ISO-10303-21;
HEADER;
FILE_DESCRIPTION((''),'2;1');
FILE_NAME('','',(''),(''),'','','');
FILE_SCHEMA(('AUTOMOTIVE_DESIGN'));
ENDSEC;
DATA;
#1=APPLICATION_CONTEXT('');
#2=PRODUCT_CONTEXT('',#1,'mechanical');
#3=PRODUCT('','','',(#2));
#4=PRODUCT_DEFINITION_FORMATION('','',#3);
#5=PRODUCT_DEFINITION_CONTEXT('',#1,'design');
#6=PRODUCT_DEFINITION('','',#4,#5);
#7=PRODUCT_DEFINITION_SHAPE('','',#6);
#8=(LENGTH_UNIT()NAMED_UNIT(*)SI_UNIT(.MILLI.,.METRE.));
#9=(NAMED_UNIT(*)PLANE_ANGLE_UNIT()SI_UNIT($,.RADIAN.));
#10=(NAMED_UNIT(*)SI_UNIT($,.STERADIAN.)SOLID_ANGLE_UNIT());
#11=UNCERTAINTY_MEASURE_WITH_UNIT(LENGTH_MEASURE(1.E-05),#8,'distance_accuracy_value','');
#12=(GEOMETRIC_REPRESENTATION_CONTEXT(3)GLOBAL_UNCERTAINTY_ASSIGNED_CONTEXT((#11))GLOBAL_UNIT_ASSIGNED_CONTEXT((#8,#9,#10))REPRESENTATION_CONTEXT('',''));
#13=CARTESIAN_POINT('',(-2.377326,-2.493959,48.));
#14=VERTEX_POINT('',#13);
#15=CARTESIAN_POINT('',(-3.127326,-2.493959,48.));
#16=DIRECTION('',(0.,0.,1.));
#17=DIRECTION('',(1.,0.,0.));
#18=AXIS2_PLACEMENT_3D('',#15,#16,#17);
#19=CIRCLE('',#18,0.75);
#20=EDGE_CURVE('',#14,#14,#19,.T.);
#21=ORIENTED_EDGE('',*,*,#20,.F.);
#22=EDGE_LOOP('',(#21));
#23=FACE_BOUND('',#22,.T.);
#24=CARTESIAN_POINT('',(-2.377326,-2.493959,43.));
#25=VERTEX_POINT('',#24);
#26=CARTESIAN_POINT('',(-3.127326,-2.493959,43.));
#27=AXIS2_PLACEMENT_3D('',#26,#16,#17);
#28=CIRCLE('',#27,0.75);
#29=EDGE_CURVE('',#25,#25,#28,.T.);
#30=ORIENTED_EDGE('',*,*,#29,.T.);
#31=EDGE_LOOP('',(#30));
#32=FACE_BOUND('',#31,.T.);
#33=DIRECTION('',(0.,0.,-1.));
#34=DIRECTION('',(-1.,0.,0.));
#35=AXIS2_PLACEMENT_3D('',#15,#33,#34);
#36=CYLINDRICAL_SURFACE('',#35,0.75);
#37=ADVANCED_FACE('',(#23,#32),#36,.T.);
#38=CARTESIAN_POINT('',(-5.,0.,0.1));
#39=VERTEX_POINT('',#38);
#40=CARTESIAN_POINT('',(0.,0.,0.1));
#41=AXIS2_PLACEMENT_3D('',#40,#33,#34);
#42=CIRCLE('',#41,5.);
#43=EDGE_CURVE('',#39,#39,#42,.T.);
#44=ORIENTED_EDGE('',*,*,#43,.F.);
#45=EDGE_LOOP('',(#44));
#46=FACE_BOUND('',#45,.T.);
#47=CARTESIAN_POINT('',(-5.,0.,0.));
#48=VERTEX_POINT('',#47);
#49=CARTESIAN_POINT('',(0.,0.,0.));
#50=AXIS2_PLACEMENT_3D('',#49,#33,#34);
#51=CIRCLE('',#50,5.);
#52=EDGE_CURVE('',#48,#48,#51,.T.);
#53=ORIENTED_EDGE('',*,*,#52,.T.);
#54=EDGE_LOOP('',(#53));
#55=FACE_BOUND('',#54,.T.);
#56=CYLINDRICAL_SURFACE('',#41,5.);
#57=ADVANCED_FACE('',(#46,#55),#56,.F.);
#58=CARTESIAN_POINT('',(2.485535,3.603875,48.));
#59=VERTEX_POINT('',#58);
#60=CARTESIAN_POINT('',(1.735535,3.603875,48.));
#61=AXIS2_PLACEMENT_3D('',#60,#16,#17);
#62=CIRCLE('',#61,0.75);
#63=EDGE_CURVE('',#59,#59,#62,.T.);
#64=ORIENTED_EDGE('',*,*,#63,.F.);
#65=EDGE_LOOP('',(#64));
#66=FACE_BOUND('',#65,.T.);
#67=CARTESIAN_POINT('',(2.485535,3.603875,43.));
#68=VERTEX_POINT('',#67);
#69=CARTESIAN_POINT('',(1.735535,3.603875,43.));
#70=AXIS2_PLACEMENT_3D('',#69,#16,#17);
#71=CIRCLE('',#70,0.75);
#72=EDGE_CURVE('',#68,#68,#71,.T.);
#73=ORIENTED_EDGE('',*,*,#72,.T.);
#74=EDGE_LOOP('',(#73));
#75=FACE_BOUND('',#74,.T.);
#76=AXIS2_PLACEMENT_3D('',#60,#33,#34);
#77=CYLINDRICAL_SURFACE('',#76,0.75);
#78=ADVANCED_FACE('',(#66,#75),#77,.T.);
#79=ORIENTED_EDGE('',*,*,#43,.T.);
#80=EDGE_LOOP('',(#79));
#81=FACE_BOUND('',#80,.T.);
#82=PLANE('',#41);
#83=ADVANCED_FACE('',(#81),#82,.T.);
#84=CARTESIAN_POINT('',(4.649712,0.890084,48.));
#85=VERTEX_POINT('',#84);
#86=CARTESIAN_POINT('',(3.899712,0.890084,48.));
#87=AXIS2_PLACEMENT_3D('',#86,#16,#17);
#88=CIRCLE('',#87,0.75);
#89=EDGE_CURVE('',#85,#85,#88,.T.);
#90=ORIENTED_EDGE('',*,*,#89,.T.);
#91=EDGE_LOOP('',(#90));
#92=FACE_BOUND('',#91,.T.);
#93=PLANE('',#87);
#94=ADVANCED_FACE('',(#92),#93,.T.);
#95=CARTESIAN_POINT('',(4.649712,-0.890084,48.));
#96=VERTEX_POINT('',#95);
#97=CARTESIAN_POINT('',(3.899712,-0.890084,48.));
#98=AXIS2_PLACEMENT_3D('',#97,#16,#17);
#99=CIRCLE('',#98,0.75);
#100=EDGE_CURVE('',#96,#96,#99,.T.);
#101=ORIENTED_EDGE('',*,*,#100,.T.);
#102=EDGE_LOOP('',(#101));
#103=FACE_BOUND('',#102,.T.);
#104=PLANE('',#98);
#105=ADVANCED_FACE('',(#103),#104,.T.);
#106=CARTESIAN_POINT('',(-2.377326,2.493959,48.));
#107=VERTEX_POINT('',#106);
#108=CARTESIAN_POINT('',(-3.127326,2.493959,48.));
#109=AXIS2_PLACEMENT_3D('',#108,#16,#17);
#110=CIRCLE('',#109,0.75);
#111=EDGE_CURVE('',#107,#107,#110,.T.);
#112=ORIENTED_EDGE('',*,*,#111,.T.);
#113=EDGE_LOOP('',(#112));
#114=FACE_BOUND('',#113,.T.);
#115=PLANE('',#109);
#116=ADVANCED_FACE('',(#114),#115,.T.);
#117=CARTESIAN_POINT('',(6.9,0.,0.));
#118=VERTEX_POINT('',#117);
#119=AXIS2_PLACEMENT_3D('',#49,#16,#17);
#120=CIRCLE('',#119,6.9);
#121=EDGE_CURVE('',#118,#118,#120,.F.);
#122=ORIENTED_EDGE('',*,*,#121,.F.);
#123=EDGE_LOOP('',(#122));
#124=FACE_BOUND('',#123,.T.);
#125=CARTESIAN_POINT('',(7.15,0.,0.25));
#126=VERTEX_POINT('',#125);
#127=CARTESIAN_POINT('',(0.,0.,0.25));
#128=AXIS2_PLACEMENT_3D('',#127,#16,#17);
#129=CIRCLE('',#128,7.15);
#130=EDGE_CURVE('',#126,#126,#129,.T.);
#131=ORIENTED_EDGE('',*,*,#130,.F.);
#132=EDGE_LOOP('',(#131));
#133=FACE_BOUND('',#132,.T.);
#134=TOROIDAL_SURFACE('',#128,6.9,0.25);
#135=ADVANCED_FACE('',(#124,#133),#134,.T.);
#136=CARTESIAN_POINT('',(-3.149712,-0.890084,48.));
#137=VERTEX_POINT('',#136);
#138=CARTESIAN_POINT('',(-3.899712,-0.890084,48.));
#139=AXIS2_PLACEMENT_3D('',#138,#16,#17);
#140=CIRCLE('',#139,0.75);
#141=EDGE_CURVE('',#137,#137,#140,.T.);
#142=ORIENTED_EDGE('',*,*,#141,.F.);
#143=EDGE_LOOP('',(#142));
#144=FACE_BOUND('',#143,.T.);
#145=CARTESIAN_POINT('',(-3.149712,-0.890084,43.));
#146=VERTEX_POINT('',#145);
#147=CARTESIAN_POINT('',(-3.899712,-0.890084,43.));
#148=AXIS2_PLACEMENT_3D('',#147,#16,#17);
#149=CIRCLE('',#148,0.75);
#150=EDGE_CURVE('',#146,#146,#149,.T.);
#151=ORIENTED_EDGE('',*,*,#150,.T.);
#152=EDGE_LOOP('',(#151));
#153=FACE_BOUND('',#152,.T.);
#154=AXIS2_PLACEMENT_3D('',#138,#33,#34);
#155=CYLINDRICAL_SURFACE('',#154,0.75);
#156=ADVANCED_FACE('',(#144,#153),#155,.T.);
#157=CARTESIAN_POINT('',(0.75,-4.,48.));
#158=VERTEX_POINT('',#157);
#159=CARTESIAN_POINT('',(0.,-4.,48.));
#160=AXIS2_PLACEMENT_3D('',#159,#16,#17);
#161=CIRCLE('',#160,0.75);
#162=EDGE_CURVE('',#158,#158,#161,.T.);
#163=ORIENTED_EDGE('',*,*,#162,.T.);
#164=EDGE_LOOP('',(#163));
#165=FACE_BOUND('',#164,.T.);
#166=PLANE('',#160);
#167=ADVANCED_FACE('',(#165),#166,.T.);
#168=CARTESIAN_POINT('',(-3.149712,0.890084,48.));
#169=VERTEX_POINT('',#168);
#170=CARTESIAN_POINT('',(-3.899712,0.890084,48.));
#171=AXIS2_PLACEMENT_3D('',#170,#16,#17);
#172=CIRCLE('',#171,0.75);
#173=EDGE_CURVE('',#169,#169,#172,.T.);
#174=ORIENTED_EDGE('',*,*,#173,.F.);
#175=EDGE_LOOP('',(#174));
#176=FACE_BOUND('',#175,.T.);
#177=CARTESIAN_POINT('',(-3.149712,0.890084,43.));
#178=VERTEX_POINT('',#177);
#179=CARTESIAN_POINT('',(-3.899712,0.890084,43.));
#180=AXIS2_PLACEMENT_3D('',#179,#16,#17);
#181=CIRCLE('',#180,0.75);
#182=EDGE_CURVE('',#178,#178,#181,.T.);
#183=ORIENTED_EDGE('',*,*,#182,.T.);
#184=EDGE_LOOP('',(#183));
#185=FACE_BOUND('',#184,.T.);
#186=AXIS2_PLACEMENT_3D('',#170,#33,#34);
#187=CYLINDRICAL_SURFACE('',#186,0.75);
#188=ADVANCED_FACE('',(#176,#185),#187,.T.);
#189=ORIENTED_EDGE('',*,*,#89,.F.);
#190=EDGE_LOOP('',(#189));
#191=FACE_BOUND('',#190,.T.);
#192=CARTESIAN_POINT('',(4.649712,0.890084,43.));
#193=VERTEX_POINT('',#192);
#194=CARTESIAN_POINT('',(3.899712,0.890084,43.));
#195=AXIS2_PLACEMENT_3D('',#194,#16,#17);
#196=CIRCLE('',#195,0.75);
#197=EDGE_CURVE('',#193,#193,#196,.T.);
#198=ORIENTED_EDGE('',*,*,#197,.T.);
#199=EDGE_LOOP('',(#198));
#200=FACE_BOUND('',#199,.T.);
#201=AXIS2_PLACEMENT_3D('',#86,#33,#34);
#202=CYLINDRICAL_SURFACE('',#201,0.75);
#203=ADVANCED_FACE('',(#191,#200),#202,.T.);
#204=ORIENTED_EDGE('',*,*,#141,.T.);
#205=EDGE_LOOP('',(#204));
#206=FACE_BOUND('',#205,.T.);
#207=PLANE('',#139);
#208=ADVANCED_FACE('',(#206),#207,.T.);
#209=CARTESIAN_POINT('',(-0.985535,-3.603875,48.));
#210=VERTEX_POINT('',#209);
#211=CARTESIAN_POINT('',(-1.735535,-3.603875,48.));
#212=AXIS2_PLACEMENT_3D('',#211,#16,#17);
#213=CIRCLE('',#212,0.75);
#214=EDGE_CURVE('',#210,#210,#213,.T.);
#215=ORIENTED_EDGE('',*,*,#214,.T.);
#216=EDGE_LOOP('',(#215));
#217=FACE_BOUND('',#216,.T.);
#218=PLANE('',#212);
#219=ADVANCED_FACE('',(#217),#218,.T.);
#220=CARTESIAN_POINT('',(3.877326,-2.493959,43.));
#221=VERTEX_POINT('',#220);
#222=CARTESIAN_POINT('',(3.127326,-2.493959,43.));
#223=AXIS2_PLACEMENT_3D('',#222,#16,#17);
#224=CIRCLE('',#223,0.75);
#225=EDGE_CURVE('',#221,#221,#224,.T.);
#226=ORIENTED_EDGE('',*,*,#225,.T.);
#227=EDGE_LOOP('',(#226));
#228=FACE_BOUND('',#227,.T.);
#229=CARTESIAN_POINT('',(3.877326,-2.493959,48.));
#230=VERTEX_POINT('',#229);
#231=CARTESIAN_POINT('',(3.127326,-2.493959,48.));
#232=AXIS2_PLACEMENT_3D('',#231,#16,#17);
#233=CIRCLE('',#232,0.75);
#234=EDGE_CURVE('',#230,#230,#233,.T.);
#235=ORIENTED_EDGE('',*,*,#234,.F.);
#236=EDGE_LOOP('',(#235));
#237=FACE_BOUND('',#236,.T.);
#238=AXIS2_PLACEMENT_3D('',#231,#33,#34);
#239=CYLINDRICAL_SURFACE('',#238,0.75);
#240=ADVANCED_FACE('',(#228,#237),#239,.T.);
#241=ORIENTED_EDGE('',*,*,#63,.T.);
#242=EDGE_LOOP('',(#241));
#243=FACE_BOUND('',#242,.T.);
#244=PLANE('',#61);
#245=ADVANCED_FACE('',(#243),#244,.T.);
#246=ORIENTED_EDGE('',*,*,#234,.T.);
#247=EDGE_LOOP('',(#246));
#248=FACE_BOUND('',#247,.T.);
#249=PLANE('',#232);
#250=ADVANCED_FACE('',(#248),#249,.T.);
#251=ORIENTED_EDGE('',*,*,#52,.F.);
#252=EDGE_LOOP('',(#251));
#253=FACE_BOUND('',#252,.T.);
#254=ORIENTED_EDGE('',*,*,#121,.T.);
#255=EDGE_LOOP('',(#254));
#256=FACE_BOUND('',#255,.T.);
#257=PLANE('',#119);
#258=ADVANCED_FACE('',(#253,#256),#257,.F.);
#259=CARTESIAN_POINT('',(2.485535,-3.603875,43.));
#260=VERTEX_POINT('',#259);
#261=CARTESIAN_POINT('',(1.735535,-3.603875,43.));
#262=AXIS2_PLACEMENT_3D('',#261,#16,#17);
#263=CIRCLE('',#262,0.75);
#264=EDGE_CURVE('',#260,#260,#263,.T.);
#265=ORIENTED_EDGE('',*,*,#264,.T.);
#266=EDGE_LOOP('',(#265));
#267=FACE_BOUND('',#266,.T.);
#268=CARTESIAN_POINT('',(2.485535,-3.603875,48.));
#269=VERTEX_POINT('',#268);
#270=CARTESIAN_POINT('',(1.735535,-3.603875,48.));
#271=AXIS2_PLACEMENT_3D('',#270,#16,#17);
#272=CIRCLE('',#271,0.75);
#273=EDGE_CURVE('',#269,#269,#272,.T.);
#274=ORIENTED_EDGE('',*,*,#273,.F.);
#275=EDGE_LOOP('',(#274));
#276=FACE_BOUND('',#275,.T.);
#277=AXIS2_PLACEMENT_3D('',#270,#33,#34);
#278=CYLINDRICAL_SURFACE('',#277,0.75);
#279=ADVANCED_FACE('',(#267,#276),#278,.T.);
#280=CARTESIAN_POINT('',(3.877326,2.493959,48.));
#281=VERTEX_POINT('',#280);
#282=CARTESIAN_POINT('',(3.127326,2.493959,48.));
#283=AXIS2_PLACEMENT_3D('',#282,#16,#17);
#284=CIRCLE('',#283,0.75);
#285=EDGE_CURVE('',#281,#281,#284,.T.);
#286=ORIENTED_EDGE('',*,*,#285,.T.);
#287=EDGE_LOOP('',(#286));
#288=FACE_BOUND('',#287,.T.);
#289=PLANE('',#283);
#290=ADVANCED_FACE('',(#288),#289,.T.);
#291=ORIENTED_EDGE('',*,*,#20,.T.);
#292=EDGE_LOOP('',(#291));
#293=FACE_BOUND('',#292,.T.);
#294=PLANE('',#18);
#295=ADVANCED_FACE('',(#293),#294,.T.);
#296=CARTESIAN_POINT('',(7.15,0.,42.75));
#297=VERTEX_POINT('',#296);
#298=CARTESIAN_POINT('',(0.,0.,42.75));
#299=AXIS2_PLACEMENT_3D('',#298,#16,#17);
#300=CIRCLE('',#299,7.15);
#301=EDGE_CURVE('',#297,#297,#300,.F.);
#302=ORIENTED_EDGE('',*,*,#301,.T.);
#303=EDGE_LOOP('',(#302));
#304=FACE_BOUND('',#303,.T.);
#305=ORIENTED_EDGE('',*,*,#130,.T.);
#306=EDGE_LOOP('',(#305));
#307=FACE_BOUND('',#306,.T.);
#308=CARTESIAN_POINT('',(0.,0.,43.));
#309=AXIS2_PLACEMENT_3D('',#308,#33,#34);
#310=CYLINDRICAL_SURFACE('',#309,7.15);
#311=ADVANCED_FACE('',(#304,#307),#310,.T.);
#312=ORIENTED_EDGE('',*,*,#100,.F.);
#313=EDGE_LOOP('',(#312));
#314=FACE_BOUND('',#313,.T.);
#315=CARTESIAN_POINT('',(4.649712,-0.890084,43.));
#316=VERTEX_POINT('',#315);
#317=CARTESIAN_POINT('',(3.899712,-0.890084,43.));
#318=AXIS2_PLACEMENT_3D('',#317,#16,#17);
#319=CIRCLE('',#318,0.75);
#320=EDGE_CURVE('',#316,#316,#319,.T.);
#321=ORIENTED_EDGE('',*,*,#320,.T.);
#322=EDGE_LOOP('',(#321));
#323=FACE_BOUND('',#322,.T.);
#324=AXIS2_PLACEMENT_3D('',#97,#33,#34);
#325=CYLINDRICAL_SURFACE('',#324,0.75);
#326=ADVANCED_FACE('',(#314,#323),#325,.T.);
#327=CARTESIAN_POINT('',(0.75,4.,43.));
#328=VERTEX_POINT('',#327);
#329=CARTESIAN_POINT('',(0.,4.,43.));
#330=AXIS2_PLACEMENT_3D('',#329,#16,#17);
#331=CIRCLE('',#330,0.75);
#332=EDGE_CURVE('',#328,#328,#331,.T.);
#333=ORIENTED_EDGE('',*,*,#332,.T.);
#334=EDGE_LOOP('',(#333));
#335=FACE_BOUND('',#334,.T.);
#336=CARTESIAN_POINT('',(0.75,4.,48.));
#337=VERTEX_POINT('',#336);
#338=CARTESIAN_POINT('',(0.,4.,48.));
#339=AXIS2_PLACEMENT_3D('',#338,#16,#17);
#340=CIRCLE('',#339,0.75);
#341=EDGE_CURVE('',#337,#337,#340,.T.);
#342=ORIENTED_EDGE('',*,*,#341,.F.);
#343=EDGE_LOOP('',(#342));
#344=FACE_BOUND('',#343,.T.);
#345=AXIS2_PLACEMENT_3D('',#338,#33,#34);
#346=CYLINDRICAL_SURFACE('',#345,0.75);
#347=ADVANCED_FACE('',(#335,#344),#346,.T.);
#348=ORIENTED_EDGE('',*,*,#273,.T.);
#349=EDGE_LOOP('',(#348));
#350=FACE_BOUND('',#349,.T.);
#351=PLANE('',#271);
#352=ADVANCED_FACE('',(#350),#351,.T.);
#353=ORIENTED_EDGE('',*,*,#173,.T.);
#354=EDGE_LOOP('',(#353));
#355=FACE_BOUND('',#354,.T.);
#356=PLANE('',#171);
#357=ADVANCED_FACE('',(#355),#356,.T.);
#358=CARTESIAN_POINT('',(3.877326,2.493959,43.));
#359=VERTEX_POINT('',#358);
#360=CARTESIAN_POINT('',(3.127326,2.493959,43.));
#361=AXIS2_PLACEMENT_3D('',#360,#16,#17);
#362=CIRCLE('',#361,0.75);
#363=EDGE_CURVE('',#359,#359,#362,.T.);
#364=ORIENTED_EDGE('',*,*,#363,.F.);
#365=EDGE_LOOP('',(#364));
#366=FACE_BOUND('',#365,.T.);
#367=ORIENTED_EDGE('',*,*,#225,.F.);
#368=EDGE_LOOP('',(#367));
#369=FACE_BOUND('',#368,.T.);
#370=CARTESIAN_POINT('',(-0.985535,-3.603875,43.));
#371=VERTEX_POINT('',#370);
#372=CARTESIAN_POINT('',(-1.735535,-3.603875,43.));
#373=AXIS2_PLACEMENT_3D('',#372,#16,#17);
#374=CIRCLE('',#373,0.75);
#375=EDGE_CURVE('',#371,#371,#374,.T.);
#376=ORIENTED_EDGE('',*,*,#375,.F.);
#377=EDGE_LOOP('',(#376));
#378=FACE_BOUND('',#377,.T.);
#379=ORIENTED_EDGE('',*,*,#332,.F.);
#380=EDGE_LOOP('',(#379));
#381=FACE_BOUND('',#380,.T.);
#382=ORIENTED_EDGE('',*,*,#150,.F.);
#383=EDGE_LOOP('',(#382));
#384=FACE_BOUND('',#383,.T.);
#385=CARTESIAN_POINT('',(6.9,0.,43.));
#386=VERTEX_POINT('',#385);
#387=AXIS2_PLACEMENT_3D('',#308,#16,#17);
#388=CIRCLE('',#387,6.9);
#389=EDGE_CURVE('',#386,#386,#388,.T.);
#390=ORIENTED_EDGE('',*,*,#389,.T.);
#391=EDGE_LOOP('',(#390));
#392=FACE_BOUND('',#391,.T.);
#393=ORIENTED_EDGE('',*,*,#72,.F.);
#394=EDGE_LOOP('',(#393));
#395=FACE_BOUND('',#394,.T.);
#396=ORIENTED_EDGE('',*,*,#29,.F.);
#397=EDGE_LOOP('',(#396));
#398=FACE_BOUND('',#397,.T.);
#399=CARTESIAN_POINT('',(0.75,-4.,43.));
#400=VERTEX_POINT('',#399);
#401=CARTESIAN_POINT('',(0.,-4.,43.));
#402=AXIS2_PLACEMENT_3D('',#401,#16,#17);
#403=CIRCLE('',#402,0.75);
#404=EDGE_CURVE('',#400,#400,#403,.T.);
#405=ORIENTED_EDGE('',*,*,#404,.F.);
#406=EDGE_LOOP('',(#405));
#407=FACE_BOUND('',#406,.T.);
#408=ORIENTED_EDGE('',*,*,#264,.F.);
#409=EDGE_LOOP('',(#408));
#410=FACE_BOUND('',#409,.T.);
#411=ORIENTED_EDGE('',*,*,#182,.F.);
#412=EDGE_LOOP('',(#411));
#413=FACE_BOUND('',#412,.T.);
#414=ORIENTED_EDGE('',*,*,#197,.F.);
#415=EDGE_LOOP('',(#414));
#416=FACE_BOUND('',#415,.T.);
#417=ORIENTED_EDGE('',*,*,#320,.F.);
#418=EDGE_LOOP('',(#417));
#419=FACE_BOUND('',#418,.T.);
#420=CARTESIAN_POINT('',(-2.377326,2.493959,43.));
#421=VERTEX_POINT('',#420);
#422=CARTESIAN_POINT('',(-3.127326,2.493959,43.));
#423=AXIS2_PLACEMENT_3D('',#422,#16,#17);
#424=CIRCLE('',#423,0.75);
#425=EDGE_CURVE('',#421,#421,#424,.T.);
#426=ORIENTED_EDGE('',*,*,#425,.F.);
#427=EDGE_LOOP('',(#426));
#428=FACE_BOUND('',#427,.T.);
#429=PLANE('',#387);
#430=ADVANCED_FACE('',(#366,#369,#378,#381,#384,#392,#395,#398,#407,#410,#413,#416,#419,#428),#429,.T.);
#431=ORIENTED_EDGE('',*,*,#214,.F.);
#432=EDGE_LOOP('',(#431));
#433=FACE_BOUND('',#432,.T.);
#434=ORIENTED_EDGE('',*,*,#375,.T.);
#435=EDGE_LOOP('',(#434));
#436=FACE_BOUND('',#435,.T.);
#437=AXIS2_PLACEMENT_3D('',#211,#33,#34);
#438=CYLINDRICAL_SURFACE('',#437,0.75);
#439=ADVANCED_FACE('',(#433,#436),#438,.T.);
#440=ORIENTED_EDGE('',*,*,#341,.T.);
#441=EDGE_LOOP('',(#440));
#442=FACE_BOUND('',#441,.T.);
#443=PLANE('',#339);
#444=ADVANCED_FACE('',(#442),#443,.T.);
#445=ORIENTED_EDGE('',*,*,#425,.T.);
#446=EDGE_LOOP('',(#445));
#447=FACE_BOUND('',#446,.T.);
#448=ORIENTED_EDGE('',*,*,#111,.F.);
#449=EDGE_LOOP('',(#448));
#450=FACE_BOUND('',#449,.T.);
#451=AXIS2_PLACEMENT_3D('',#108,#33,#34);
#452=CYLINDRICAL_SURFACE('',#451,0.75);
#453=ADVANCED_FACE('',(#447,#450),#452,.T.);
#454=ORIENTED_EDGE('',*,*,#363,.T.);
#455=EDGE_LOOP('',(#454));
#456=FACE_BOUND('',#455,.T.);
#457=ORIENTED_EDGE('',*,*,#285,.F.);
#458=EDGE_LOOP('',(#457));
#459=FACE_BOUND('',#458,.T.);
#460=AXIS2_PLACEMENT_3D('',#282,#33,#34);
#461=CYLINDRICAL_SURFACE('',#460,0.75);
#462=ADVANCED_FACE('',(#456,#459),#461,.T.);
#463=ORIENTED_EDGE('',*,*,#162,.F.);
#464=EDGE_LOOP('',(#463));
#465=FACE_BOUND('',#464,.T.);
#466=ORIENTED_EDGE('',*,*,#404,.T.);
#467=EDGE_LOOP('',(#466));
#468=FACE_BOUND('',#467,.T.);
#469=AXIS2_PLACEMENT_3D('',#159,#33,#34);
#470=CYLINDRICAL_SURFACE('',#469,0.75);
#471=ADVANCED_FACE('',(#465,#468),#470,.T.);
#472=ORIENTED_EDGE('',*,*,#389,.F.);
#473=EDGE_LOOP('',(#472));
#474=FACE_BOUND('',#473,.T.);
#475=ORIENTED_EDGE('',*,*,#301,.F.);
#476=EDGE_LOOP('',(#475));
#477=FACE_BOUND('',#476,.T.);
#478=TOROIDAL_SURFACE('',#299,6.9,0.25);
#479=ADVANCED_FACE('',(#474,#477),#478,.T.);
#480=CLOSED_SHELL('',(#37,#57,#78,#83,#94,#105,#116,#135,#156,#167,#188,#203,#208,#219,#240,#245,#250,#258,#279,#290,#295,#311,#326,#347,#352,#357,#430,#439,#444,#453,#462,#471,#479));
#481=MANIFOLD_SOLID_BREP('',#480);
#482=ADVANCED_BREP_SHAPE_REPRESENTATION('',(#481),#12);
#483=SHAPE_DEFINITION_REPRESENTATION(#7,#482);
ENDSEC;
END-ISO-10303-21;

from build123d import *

# Parameters (mm, degrees)
SKETCH1_R           = 7.15
BOSS_EXTRUDE1_DEPTH = 43
SKETCH2_R           = 5
CUT_EXTRUDE1_DEPTH  = 0.1
SKETCH3_R           = 0.75
BOSS_EXTRUDE2_DEPTH = 5
FILLET1_R           = 0.25


with BuildPart() as part:
    # Sketch1 → Boss-Extrude1 (new body)
    with BuildSketch(Plane.XY):
        Circle(SKETCH1_R)
    extrude(amount=BOSS_EXTRUDE1_DEPTH)

    # Sketch2 → Cut-Extrude1 (cut)
    with BuildSketch(Plane(origin=(0, 0, 0), x_dir=(-1, 0, 0), z_dir=(0, 0, -1))):
        Circle(SKETCH2_R)
    extrude(amount=-CUT_EXTRUDE1_DEPTH, mode=Mode.SUBTRACT)

    # Sketch3 → Boss-Extrude2 (add)
    with BuildSketch(Plane.XY.offset(43)):
        with Locations((0, 4)):
            Circle(SKETCH3_R)
        with Locations((1.735534956, 3.603875472)):
            Circle(SKETCH3_R)
        with Locations((3.12732593, 2.493959207)):
            Circle(SKETCH3_R)
        with Locations((3.899711649, 0.890083736)):
            Circle(SKETCH3_R)
        with Locations((3.899711649, -0.890083736)):
            Circle(SKETCH3_R)
        with Locations((3.12732593, -2.493959207)):
            Circle(SKETCH3_R)
        with Locations((1.735534956, -3.603875472)):
            Circle(SKETCH3_R)
        with Locations((0, -4)):
            Circle(SKETCH3_R)
        with Locations((-1.735534956, -3.603875472)):
            Circle(SKETCH3_R)
        with Locations((-3.12732593, -2.493959207)):
            Circle(SKETCH3_R)
        with Locations((-3.899711649, -0.890083736)):
            Circle(SKETCH3_R)
        with Locations((-3.899711649, 0.890083736)):
            Circle(SKETCH3_R)
        with Locations((-3.12732593, 2.493959207)):
            Circle(SKETCH3_R)
    extrude(amount=BOSS_EXTRUDE2_DEPTH)

    # Fillet1
    fillet1_edges = [part.edges().sort_by_distance(p)[0] for p in [
        (-7.15, 0, 0),
        (-7.15, 0, 43),
    ]]
    fillet(fillet1_edges, radius=FILLET1_R)


solid = part.part
